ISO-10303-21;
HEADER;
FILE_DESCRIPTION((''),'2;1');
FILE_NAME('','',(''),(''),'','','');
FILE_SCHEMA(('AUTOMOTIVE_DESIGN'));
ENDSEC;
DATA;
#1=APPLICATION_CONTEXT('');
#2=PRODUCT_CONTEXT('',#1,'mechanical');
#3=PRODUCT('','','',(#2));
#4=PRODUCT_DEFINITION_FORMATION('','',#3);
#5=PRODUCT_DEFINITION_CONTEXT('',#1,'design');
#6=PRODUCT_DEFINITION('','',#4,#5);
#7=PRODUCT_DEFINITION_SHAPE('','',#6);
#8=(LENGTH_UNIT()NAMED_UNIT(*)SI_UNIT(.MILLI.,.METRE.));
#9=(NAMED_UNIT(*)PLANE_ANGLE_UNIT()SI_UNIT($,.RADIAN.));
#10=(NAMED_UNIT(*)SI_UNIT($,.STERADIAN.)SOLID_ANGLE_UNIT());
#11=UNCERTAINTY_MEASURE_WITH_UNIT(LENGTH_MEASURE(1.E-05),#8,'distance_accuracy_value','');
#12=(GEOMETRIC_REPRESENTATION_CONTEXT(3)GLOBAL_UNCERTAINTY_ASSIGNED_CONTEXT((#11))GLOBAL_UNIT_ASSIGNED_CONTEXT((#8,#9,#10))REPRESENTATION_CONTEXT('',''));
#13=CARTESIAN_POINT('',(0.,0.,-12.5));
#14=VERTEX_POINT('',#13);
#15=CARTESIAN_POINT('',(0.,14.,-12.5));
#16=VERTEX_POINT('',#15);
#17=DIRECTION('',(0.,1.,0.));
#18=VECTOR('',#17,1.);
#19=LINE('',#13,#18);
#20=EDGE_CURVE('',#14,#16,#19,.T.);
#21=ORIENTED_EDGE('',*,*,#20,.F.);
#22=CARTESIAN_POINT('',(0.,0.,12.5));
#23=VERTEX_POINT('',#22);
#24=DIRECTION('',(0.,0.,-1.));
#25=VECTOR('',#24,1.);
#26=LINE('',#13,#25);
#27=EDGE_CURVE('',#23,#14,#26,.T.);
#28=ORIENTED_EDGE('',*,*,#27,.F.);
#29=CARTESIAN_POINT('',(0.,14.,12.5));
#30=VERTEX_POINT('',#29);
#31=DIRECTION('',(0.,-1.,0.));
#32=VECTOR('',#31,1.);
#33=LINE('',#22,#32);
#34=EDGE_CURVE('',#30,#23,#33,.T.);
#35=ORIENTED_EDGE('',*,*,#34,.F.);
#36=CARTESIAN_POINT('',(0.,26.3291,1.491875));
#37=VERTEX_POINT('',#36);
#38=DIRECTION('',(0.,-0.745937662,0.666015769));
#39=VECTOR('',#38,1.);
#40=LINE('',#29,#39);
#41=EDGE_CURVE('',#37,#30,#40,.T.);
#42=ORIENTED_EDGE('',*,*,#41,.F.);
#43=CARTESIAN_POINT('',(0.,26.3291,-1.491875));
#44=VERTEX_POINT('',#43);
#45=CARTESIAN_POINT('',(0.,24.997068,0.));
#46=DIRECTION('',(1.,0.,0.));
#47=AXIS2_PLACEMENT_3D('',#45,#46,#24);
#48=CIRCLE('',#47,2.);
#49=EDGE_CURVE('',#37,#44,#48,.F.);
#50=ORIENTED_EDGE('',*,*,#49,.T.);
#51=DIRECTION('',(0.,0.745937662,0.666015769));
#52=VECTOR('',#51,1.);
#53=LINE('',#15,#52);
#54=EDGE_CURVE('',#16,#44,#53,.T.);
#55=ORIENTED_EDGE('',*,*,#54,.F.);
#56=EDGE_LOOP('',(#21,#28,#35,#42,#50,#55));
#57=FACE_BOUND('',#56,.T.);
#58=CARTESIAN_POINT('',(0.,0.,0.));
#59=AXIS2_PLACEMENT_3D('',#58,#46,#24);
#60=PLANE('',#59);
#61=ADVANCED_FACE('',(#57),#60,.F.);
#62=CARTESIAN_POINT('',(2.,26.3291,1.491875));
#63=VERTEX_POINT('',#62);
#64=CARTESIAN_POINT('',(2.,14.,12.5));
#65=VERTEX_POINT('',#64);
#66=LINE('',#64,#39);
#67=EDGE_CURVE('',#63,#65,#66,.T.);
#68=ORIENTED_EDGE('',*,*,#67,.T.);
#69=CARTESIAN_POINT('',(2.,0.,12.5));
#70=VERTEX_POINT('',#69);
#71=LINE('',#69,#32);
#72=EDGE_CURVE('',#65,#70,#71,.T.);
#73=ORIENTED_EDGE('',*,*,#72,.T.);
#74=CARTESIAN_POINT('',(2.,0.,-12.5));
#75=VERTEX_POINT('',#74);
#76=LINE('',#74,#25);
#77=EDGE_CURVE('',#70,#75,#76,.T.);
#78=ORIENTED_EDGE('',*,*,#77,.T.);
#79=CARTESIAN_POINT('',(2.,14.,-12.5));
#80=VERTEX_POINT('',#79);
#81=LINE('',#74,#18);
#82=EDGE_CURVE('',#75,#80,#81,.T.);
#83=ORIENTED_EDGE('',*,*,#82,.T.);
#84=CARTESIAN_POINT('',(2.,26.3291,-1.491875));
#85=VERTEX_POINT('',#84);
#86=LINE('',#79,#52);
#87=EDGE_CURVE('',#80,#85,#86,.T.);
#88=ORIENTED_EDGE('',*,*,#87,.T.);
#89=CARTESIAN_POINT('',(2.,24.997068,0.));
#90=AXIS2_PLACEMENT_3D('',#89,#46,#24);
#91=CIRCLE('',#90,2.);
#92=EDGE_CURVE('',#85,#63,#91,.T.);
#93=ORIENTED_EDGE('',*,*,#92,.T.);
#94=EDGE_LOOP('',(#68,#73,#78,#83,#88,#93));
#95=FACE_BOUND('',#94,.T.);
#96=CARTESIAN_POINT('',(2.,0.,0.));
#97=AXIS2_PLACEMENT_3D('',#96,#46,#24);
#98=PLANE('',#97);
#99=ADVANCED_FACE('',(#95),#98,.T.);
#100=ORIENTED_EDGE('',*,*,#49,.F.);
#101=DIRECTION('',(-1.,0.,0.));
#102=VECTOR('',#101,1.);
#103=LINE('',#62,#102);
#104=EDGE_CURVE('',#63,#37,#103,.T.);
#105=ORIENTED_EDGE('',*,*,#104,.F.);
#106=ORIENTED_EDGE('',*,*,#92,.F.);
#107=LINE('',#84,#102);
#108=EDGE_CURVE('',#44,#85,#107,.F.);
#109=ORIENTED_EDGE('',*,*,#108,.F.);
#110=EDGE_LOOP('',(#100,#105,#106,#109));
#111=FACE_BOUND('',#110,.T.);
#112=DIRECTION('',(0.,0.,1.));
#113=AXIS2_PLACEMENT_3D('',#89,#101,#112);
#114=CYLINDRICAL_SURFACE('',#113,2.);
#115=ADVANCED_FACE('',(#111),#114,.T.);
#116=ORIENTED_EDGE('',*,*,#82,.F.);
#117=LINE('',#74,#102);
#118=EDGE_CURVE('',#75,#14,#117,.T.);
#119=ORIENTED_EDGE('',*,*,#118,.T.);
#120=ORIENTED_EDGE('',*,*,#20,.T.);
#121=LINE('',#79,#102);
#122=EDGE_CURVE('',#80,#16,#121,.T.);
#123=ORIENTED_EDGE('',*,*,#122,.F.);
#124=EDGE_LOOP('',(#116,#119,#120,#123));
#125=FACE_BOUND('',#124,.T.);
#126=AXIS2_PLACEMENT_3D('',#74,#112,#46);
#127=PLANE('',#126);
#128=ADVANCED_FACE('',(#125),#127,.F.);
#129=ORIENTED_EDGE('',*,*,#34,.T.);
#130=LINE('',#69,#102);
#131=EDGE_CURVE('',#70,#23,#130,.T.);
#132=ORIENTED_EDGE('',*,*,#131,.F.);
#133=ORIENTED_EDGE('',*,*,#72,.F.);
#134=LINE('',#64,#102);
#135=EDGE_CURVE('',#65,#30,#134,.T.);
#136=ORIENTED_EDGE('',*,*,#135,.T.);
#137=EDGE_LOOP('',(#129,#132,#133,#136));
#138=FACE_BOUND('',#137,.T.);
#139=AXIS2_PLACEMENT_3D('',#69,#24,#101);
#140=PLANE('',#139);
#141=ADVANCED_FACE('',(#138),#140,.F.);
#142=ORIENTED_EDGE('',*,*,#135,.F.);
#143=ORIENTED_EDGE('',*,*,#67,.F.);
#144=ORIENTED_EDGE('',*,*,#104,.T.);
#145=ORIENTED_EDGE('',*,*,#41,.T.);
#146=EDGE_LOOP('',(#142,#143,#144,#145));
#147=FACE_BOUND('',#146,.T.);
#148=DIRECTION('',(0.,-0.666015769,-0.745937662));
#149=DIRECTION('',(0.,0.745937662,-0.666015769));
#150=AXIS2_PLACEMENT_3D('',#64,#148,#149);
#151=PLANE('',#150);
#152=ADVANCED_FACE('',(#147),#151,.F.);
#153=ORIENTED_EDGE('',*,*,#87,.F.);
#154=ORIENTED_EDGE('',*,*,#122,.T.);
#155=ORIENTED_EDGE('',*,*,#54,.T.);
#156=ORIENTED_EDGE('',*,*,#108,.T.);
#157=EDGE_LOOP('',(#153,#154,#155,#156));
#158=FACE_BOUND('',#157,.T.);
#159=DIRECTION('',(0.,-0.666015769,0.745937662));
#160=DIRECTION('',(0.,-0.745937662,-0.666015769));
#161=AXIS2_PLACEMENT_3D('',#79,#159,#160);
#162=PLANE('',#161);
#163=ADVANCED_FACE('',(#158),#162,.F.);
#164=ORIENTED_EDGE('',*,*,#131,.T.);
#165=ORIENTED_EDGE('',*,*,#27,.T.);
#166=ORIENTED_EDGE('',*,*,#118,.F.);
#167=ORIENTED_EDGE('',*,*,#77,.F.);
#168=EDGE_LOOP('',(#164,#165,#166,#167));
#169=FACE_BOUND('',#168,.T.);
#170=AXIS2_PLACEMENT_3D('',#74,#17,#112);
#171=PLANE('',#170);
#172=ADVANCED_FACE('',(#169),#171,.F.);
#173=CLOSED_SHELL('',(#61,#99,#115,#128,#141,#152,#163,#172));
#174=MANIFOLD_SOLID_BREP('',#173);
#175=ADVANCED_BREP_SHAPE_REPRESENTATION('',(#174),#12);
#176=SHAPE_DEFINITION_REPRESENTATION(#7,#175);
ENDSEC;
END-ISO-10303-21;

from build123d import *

# Parameters (mm, degrees)
BOSS_EXTRUDE1_DEPTH = 2
FILLET1_R           = 2


with BuildPart() as part:
    # Sketch1 → Boss-Extrude1 (new body)
    with BuildSketch(Plane(origin=(0, 0, 0), x_dir=(0, 0, -1), z_dir=(1, 0, 0))):
        Polygon((12.5, 0), (-12.5, 0), (-12.5, 14), (0, 28), (12.5, 14), align=None)
    extrude(amount=BOSS_EXTRUDE1_DEPTH)

    # Fillet1
    fillet1_edges = [part.edges().sort_by_distance(p)[0] for p in [
        (1, 28, 0),
    ]]
    fillet(fillet1_edges, radius=FILLET1_R)


solid = part.part
